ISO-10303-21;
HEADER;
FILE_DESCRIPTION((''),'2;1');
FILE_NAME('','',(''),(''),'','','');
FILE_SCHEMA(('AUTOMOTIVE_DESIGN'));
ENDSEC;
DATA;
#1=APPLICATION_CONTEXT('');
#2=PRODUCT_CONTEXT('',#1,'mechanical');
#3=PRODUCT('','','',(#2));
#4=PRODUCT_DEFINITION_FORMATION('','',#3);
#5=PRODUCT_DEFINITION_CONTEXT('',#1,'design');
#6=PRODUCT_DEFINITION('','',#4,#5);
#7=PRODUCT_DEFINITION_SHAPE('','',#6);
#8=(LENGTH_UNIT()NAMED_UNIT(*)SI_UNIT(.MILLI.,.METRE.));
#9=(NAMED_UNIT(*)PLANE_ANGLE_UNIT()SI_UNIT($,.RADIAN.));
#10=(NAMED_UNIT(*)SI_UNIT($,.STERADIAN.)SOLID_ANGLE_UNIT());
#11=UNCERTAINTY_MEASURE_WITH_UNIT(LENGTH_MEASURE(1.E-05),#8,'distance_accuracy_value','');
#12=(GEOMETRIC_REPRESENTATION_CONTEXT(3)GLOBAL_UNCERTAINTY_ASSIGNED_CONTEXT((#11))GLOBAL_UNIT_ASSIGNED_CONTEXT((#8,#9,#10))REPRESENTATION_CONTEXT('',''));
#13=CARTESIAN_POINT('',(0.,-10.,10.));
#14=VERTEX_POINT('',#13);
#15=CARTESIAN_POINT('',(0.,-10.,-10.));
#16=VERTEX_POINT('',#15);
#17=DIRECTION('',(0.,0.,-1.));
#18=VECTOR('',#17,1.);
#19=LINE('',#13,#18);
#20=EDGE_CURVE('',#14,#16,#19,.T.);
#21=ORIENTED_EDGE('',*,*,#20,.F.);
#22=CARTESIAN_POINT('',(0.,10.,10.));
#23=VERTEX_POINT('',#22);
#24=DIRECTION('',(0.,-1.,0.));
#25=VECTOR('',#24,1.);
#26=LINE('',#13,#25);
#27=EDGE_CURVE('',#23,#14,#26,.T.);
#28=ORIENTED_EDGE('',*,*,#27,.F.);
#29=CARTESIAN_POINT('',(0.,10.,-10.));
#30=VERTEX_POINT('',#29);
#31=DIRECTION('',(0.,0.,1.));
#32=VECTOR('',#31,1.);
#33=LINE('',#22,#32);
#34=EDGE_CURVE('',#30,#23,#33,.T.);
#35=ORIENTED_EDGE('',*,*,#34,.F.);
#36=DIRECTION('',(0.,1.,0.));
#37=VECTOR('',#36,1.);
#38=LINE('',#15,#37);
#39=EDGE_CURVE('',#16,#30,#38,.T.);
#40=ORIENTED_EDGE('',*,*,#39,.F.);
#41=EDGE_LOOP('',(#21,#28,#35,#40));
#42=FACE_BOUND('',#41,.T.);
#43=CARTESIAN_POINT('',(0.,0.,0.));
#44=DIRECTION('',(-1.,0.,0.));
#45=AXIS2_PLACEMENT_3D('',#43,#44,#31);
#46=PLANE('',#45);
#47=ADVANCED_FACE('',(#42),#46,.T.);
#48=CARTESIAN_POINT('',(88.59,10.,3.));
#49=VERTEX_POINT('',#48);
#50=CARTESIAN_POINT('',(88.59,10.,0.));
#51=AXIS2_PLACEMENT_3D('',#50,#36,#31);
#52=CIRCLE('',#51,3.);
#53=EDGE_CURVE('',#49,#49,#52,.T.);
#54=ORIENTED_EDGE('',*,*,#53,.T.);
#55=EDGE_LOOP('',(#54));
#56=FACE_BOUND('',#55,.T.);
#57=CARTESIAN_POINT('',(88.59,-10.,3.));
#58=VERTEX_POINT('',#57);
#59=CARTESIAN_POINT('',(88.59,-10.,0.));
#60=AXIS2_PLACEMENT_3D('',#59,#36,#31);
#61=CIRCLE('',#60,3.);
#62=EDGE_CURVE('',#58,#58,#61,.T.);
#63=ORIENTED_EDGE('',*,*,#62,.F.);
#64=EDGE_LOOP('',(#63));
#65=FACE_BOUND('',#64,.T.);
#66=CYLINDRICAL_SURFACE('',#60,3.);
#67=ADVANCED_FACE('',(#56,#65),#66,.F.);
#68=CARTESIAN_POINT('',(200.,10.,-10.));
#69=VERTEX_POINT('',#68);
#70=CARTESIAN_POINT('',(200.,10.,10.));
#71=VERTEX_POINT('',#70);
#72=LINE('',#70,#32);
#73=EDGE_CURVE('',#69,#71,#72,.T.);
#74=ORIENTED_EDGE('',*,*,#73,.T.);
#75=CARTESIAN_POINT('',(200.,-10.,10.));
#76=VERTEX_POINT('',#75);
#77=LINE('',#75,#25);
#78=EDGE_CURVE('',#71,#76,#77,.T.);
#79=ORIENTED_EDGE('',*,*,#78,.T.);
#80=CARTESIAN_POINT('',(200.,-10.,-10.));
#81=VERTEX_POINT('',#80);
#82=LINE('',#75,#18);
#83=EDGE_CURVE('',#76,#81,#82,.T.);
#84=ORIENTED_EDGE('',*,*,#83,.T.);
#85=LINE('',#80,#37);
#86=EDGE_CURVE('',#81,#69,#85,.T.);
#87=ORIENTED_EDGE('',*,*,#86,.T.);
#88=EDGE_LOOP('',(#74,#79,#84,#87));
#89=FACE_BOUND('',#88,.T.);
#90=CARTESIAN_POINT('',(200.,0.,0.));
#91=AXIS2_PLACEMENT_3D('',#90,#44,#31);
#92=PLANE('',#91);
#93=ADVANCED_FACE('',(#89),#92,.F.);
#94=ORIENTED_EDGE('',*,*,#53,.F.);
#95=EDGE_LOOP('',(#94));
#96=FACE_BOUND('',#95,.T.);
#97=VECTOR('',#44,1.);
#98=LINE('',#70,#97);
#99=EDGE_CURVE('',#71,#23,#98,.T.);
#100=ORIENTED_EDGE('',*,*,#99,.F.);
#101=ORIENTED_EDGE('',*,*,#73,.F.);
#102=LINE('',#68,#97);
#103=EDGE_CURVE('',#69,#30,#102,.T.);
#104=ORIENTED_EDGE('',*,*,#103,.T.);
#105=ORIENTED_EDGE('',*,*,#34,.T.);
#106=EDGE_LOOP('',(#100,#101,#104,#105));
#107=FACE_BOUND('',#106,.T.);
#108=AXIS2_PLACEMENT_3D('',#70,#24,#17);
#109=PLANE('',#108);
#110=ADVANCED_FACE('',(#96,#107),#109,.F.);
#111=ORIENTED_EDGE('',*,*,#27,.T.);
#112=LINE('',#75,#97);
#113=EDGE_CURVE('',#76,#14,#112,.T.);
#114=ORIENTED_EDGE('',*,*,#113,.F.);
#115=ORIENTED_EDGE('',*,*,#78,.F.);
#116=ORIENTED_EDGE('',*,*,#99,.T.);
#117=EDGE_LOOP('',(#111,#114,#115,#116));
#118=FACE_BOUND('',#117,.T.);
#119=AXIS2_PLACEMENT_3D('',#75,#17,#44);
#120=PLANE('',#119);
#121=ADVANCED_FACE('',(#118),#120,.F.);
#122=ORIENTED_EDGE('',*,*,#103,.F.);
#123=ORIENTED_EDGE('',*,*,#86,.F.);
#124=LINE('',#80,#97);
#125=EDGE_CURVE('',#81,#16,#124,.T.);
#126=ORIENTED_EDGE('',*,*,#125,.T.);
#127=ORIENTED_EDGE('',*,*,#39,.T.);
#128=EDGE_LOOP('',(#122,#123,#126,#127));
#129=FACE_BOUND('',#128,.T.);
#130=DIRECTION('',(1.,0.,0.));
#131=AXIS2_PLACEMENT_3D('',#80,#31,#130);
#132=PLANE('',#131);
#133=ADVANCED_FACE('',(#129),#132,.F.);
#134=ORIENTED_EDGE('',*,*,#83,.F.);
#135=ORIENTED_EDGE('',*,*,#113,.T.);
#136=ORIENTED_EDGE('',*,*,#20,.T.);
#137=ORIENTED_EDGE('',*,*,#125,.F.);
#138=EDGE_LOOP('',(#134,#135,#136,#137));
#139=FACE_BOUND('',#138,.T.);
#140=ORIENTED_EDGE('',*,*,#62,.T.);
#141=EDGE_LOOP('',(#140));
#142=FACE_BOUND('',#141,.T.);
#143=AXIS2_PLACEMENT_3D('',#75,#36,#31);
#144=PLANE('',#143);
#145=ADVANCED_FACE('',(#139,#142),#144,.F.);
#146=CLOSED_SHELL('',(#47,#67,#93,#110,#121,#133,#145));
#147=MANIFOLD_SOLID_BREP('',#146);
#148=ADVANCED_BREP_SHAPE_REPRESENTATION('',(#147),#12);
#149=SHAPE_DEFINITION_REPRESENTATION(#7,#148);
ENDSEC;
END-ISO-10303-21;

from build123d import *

# Parameters (mm, degrees)
SKIZZE1_W                       = 20
SKIZZE1_H                       = 20
AUFSATZ_LINEAR_AUSTRAGEN1_DEPTH = 200
SKIZZE2_R                       = 3
SCHNITT_LINEAR_AUSTRAGEN1_DEPTH = 202.246117975


with BuildPart() as part:
    # Skizze1 → Aufsatz-Linear austragen1 (new body)
    with BuildSketch(Plane(origin=(0, 0, 0), x_dir=(0, 0, -1), z_dir=(1, 0, 0))):
        Rectangle(SKIZZE1_W, SKIZZE1_H)
    extrude(amount=AUFSATZ_LINEAR_AUSTRAGEN1_DEPTH)

    # Skizze2 → Schnitt-Linear austragen1 (cut, through all)
    with BuildSketch(Plane(origin=(0, 10, 0), x_dir=(1, 0, 0), z_dir=(0, 1, 0))):
        with Locations(Location((88.59, 0, 0), (0, 0, 270))):
            Circle(SKIZZE2_R)
    extrude(amount=-SCHNITT_LINEAR_AUSTRAGEN1_DEPTH, mode=Mode.SUBTRACT)


solid = part.part
